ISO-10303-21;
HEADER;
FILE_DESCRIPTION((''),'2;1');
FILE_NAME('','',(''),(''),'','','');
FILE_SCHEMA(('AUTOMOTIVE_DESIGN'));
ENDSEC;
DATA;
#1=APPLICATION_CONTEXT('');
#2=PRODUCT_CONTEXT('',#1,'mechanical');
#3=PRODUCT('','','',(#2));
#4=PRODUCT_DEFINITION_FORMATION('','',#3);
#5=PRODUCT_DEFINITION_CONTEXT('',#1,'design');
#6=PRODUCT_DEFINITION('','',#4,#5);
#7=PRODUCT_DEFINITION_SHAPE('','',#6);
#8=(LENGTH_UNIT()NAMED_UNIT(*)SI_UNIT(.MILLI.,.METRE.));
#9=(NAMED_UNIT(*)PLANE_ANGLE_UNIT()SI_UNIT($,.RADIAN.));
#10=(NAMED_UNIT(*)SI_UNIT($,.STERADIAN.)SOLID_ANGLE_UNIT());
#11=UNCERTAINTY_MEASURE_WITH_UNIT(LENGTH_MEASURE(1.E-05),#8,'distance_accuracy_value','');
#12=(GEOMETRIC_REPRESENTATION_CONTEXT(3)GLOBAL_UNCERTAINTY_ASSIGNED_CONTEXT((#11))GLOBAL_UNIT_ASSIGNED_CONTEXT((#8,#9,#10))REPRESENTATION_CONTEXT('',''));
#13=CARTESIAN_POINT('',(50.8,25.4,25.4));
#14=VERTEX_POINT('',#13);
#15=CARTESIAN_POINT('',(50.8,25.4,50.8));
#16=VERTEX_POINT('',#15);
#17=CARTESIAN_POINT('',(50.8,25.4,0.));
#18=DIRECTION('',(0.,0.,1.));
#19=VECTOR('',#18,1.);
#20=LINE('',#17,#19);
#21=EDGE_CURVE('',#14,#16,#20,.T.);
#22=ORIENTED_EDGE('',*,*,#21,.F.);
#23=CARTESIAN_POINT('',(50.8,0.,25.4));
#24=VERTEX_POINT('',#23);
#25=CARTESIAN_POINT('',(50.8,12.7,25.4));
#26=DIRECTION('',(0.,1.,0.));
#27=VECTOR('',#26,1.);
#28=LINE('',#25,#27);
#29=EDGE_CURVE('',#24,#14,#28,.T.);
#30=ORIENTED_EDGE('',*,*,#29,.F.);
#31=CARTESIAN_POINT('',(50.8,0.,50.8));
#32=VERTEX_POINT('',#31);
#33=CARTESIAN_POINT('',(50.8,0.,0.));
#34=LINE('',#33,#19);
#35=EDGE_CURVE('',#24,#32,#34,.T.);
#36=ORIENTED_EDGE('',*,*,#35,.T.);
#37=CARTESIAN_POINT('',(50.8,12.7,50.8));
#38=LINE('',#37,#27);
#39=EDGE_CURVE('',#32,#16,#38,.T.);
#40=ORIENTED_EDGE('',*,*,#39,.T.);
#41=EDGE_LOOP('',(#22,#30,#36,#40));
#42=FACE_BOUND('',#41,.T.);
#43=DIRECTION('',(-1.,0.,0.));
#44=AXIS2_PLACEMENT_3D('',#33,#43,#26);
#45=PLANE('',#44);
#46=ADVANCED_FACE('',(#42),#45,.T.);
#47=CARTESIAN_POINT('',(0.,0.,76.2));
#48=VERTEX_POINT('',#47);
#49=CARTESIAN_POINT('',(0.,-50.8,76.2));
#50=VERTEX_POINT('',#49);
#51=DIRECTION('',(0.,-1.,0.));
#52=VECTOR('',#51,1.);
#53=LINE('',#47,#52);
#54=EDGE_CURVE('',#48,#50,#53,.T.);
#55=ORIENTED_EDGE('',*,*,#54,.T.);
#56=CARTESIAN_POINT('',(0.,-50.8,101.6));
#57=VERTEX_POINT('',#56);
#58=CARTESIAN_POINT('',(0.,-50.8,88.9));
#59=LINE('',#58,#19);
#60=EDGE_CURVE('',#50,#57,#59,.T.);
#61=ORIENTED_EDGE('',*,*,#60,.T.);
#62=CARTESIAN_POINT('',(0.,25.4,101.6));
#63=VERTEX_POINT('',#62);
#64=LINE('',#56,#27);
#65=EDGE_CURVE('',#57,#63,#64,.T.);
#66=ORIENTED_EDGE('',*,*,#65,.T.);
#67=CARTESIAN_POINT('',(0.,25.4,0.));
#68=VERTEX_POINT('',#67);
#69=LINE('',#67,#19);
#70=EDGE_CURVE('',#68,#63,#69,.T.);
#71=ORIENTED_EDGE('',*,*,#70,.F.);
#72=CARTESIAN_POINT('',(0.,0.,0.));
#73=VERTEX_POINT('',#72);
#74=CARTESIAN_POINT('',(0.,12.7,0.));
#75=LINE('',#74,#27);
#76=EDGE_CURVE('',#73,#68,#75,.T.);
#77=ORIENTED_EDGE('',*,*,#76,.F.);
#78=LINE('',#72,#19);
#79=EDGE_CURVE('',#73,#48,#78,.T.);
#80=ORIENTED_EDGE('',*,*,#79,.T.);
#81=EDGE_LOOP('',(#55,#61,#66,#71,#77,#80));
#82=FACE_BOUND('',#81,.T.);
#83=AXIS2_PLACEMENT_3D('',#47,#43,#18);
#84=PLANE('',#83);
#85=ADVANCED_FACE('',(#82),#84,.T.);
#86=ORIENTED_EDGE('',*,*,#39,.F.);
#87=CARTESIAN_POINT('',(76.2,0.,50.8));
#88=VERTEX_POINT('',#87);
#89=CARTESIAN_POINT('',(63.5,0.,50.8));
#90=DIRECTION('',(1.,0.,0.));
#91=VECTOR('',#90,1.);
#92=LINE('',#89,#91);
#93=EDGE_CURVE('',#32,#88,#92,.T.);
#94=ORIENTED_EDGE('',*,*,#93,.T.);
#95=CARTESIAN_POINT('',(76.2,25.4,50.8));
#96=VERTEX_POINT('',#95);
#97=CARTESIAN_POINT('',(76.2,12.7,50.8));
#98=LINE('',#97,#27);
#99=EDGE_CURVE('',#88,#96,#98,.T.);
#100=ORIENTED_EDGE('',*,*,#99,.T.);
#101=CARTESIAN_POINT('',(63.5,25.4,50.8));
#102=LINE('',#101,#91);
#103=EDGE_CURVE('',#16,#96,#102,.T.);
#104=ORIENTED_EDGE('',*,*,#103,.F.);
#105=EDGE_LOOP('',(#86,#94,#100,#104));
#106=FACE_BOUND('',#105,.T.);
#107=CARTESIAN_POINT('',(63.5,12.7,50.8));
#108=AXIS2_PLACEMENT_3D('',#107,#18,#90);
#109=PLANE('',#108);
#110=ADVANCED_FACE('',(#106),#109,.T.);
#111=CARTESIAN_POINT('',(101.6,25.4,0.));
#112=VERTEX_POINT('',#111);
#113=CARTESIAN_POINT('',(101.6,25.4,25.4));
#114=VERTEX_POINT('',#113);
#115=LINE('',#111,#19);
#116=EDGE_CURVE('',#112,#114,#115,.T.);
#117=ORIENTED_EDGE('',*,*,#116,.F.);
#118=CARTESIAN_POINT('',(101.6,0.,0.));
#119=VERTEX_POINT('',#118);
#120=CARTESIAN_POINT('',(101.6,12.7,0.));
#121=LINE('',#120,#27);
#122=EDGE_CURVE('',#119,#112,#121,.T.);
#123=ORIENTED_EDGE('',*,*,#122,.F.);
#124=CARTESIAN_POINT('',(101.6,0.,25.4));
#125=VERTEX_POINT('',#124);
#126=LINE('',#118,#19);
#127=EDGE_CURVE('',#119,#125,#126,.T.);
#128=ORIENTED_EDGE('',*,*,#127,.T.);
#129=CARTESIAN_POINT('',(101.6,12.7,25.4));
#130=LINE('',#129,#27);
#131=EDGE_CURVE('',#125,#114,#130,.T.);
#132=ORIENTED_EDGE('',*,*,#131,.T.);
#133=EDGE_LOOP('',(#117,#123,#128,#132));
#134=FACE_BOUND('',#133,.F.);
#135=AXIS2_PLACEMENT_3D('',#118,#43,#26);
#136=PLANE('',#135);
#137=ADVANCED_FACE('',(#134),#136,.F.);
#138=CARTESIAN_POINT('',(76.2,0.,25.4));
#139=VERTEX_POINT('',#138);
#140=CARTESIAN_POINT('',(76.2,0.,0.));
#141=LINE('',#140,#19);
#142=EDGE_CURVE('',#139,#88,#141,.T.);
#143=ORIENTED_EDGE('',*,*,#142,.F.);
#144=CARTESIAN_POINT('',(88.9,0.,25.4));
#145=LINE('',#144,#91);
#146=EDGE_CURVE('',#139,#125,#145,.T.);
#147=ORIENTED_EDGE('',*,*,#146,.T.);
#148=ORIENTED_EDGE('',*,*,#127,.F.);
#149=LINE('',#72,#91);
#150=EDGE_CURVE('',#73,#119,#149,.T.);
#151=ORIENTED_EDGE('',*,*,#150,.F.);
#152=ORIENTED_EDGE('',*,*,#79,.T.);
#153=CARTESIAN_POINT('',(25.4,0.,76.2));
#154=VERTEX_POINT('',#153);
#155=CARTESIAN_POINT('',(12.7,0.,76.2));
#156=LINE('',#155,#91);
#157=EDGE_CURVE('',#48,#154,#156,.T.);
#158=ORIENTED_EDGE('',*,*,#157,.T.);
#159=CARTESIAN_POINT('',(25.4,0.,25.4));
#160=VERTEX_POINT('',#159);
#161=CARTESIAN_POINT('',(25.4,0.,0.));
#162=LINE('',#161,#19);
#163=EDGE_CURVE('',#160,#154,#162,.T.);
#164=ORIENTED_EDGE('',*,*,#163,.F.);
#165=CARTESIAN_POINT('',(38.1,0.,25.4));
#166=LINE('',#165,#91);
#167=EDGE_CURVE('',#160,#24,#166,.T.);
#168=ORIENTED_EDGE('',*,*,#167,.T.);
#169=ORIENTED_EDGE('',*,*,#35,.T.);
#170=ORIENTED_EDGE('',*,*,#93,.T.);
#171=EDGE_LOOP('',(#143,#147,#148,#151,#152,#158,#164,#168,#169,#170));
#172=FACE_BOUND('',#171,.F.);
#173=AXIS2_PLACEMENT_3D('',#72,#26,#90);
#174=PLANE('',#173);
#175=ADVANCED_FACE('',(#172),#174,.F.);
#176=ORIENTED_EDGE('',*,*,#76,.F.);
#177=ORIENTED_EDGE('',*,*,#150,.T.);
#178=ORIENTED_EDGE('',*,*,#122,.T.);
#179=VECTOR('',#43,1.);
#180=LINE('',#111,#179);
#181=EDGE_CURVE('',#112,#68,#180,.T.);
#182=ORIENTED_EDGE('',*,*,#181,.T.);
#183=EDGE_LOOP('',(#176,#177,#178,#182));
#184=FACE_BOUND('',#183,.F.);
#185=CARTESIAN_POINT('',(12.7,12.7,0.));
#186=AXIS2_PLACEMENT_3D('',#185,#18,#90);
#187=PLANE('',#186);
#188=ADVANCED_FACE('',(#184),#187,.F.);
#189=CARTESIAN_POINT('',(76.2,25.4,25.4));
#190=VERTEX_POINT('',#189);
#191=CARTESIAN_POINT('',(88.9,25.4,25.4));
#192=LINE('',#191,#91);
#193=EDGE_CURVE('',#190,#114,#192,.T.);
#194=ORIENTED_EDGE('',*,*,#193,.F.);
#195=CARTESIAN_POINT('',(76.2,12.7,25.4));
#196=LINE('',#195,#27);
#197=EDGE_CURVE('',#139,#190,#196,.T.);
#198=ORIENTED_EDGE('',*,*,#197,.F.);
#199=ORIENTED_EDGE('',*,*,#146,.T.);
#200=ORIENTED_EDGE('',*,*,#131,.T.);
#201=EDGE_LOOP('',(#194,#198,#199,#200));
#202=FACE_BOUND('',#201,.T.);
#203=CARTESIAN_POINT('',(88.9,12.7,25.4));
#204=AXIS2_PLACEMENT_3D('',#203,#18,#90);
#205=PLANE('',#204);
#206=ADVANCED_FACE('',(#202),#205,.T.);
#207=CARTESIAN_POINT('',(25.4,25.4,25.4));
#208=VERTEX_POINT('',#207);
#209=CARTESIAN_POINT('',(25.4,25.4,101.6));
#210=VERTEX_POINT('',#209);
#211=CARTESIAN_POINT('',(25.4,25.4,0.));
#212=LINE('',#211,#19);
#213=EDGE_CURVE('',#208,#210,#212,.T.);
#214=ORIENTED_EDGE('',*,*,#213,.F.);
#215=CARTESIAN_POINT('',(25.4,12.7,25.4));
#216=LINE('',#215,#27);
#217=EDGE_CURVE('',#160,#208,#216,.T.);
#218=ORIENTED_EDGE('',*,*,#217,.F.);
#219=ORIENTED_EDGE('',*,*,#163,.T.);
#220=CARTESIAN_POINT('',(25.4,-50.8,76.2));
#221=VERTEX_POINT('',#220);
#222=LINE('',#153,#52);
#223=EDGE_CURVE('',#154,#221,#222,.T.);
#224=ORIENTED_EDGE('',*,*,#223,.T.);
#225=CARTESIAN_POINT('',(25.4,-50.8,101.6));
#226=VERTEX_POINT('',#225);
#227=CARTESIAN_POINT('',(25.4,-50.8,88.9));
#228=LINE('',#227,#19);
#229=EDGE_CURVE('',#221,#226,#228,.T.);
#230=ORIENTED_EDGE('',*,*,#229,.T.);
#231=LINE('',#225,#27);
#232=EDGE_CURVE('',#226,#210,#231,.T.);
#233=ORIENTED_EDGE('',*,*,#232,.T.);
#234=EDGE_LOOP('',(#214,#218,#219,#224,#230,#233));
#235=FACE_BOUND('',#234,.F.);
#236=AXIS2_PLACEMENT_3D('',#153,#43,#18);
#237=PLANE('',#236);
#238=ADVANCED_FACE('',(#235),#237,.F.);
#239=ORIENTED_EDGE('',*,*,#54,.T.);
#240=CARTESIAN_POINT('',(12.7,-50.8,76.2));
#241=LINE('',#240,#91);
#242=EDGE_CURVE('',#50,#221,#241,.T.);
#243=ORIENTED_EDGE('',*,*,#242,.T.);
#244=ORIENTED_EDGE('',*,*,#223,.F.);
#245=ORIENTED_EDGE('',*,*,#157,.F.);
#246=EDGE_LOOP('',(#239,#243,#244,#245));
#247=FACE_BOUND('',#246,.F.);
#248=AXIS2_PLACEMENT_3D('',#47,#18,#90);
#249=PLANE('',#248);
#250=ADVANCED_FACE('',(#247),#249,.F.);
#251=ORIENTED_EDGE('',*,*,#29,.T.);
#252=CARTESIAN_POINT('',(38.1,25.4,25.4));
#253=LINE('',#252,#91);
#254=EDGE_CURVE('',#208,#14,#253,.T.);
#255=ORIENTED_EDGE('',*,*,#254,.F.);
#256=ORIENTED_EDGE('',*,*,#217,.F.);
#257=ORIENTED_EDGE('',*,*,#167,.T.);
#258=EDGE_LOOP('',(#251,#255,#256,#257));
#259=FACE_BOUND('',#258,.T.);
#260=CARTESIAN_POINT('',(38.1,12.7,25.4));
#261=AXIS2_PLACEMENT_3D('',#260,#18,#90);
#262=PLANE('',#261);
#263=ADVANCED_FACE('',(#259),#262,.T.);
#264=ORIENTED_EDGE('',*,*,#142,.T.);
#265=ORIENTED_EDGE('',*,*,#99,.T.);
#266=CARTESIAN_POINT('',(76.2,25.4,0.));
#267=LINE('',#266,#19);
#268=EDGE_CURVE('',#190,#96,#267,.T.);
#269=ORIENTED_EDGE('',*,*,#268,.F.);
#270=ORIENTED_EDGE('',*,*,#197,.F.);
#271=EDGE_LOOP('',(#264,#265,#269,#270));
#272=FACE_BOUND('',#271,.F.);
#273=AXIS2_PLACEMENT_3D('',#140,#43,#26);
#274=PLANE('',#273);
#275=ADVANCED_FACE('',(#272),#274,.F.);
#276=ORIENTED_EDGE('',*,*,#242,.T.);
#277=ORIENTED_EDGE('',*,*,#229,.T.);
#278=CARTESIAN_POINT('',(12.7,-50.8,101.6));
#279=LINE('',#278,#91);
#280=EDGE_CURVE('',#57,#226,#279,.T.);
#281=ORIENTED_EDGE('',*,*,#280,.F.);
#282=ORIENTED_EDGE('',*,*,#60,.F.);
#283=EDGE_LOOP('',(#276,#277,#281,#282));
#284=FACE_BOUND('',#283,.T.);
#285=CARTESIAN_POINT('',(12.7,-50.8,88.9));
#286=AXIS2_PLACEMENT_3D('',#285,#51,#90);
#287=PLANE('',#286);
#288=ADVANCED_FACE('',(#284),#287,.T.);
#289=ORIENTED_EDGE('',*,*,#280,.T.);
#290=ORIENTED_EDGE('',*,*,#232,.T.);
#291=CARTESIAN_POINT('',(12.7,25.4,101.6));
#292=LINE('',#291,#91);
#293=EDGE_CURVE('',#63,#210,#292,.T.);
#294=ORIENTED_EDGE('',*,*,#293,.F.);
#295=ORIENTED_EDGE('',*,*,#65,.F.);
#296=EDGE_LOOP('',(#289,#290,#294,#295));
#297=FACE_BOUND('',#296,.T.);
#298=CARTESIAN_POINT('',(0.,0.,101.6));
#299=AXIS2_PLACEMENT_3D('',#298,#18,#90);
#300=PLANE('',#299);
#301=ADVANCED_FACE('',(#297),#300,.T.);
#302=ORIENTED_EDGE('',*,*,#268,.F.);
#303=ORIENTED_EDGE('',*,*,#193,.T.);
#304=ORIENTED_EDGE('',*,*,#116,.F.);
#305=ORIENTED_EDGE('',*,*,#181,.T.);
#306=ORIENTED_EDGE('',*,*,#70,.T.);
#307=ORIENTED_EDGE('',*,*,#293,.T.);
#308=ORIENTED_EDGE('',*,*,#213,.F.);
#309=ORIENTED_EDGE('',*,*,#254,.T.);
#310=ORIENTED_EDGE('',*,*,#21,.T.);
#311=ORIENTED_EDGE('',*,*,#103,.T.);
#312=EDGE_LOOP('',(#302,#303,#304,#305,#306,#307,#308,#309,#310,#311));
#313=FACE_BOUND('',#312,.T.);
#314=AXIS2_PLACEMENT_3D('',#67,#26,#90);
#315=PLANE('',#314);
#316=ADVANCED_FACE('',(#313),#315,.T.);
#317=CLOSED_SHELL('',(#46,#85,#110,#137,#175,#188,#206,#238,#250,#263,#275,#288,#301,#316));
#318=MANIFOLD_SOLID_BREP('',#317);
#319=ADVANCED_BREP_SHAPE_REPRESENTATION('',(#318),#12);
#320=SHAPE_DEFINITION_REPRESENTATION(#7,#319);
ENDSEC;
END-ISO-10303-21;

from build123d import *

# Parameters (mm, degrees)
F0_W     = 25.4
F0_H     = 25.4
F1_DEPTH = 25.4
F2_DEPTH = 50.8
F3_DEPTH = 101.6
F4_W     = 25.4
F4_H     = 25.4
F5_DEPTH = 50.8


with BuildPart() as f1:
    # F0 (on Top) → F1 (new body)
    with BuildSketch(Plane.XY):
        with Locations((38.1, 12.7)):
            Rectangle(F0_W, F0_H)
        with Locations((88.9, 12.7)):
            Rectangle(F0_W, F0_H)
    extrude(amount=F1_DEPTH)

    # F0 (on Top) → F2 (join)
    with BuildSketch(Plane.XY):
        with Locations((63.5, 12.7)):
            Rectangle(F0_W, F0_H)
    extrude(amount=F2_DEPTH)

    # F0 (on Top) → F3 (join)
    with BuildSketch(Plane.XY):
        with Locations((12.7, 12.7)):
            Rectangle(F0_W, F0_H)
    extrude(amount=F3_DEPTH)

    # F4 (on face) → F5 (join)
    with BuildSketch(Plane.XZ):
        with Locations((12.7, 88.9)):
            Rectangle(F4_W, F4_H)
    extrude(amount=F5_DEPTH)


solid = f1.part
